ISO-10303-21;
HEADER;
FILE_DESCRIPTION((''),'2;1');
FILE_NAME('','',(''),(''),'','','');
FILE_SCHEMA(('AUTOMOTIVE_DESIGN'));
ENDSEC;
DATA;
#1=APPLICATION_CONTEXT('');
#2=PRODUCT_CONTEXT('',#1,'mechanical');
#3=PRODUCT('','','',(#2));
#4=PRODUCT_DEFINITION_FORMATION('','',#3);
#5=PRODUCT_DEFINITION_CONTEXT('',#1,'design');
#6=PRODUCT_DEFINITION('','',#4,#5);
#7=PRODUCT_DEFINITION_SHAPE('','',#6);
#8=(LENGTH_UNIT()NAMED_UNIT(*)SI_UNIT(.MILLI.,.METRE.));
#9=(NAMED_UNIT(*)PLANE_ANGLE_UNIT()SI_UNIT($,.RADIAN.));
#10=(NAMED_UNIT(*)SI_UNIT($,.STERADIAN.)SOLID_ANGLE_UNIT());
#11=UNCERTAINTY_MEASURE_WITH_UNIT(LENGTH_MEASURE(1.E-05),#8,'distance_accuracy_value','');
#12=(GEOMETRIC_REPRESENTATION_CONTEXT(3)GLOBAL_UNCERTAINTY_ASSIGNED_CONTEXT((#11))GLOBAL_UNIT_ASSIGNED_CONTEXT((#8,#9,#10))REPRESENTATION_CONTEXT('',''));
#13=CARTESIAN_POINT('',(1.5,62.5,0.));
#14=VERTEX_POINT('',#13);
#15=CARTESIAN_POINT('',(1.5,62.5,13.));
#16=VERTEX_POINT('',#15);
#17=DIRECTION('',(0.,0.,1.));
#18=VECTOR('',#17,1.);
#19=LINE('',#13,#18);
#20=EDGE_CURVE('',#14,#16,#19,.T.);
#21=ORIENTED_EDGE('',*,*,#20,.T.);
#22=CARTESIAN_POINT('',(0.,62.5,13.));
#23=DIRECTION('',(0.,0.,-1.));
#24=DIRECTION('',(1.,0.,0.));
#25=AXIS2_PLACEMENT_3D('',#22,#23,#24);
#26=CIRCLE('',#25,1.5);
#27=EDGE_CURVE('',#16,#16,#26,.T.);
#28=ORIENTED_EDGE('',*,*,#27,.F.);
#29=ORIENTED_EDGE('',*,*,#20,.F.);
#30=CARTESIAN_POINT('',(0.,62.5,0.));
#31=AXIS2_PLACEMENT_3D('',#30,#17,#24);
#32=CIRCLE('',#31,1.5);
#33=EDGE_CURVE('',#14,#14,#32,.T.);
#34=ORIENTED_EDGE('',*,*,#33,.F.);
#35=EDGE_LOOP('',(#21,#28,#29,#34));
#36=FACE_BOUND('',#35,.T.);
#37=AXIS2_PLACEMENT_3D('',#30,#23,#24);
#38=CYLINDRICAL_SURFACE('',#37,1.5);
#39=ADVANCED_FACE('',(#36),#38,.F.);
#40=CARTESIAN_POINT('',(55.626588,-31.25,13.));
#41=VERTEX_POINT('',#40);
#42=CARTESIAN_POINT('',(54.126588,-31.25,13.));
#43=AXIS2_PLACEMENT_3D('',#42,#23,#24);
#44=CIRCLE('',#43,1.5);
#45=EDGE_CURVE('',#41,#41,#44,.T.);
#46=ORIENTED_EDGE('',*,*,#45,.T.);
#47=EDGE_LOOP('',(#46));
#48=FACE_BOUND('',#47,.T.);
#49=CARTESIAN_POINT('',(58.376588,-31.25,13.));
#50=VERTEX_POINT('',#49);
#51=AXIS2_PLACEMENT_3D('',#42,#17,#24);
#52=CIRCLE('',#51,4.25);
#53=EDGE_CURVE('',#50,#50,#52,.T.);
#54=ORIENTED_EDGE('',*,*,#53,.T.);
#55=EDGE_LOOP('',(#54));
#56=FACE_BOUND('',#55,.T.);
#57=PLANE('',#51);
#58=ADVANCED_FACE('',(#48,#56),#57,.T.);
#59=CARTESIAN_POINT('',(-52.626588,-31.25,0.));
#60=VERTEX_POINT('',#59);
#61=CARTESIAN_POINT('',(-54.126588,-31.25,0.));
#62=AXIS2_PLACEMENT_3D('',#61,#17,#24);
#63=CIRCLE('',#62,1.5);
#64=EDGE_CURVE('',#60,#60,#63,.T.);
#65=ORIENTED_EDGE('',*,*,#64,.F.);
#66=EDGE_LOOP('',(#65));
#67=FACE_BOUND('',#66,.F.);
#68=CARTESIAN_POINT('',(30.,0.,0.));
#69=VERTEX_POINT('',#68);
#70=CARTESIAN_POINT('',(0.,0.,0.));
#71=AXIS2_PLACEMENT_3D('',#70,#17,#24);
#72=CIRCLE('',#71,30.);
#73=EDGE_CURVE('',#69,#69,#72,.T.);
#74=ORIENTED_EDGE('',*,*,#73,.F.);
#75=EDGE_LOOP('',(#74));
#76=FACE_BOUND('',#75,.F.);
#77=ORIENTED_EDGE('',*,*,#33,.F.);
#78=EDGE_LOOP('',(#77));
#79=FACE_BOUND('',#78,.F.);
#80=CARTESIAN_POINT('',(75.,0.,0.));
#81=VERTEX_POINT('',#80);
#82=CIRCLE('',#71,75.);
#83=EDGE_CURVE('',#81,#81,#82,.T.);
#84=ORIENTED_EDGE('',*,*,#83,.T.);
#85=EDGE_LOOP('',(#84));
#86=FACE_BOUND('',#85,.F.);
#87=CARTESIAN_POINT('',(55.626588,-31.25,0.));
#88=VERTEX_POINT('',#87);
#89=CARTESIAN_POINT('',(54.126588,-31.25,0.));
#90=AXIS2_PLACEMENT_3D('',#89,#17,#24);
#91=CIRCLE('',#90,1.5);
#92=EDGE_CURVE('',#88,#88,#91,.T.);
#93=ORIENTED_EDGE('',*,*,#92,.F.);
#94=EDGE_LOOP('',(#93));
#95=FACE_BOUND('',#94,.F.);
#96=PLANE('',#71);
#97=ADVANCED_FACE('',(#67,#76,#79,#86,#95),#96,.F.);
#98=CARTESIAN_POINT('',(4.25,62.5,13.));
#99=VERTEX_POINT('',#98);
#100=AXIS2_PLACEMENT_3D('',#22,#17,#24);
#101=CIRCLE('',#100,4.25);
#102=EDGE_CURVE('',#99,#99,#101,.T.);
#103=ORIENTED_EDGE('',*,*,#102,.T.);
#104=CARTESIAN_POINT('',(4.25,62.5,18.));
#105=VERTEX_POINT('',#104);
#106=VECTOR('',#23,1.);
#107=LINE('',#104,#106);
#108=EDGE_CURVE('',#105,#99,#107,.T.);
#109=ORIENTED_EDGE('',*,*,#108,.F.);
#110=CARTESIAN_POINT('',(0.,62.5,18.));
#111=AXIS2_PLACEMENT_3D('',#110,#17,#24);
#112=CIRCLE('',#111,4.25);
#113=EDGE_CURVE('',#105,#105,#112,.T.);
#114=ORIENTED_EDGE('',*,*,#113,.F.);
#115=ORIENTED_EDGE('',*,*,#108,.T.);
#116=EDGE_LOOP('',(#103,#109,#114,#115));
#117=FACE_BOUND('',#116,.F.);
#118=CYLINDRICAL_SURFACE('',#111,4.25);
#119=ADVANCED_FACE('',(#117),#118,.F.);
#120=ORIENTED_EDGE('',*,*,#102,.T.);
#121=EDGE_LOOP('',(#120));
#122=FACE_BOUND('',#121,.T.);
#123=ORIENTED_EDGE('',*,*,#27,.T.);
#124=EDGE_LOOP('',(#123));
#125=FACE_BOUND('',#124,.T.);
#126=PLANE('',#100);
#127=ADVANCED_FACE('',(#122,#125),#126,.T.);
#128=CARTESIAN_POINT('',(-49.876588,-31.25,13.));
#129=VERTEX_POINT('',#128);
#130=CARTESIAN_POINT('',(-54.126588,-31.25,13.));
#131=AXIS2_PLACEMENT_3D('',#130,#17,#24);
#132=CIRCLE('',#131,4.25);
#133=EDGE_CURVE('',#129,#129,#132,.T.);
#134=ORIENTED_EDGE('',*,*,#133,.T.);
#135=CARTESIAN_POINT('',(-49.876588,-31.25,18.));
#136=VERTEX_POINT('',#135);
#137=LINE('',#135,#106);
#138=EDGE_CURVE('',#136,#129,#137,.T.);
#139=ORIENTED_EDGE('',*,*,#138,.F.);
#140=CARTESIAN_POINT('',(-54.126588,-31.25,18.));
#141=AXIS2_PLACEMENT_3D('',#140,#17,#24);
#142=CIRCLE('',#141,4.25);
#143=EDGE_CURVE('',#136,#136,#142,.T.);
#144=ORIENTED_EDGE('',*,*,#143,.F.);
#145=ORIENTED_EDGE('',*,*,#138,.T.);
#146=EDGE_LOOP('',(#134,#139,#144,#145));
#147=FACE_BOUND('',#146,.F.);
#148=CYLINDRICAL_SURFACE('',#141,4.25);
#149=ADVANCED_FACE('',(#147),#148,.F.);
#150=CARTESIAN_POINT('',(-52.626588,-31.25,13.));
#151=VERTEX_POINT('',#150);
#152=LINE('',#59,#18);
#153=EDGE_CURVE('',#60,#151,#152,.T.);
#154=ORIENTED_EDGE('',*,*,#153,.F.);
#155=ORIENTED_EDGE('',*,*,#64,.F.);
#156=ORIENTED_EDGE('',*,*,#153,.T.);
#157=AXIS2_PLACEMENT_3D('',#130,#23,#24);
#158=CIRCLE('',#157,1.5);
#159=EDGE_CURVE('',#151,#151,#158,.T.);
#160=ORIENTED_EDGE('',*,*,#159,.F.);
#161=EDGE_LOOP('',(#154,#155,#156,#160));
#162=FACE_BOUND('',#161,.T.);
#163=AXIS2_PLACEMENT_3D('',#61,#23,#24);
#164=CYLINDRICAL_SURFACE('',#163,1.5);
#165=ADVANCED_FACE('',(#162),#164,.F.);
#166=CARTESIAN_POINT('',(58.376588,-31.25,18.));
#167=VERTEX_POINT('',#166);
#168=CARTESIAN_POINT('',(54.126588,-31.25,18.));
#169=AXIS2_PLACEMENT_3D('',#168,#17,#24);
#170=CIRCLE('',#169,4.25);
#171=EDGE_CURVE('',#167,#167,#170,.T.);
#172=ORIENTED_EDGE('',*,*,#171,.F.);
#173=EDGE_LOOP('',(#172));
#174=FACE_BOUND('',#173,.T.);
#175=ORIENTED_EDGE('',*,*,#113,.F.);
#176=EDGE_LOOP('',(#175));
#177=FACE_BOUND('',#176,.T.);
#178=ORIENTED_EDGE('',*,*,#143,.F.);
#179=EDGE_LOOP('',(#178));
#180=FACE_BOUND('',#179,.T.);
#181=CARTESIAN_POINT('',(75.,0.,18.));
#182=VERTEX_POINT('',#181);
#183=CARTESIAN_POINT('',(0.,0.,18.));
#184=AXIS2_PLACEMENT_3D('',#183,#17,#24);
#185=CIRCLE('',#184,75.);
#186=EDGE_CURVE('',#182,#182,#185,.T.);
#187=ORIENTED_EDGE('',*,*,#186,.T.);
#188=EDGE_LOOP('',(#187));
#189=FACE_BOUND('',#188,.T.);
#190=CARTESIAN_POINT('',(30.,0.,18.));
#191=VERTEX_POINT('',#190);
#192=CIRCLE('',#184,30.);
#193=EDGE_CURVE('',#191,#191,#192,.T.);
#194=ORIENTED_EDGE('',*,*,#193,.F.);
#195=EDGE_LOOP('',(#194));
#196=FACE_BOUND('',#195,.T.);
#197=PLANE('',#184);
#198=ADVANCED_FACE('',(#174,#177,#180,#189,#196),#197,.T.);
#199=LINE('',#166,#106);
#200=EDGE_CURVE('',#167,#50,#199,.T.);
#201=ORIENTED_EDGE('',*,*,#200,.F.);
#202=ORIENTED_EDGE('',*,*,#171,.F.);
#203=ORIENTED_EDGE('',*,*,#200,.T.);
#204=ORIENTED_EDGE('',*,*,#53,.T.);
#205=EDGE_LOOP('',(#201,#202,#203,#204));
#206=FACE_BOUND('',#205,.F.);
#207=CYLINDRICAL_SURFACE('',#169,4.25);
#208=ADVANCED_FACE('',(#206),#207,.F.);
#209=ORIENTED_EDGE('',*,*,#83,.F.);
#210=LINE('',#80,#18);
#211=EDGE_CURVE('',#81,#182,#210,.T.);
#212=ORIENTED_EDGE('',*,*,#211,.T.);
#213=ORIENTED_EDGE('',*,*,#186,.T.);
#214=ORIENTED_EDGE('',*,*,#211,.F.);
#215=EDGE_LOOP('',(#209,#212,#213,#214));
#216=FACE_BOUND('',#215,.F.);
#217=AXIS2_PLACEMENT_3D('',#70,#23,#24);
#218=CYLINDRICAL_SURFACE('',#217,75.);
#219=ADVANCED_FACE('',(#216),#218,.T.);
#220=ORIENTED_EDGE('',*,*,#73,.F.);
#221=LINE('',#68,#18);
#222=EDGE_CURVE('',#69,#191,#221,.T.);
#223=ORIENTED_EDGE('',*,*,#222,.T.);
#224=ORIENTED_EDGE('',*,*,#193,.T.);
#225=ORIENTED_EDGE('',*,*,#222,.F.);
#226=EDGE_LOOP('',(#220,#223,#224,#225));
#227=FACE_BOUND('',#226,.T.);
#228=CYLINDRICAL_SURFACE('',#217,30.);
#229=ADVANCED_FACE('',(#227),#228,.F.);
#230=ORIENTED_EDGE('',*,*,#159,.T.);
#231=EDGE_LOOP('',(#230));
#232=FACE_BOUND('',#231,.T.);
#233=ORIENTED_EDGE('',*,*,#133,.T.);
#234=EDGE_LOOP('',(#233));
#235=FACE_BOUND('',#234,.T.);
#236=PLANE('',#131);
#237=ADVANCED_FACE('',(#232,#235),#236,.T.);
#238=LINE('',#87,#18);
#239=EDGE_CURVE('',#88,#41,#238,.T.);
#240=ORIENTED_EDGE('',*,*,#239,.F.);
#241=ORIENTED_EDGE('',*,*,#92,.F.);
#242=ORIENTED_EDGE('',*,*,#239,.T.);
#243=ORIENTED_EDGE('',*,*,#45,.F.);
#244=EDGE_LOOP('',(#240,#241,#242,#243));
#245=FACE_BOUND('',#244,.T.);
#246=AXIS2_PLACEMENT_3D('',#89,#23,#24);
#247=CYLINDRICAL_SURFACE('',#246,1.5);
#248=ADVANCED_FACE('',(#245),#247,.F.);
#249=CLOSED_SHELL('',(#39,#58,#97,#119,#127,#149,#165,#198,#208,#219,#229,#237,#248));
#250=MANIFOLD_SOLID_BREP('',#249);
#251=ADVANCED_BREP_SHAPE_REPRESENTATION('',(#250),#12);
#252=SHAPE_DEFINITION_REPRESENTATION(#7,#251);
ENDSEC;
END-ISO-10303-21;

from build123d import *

# Parameters (mm, degrees)
F0_R     = 75
F0_R_2   = 1.5
F0_R_3   = 30
F1_DEPTH = 18
F2_R     = 4.25
F3_DEPTH = 5


with BuildPart() as f1:
    # F0 (on Top) → F1 (new body)
    with BuildSketch(Plane.XY):
        Circle(F0_R)
        with Locations((-54.126588, -31.25)):
            Circle(F0_R_2, mode=Mode.SUBTRACT)
        with Locations((54.126588, -31.25)):
            Circle(F0_R_2, mode=Mode.SUBTRACT)
        Circle(F0_R_3, mode=Mode.SUBTRACT)
        with Locations((0, 62.5)):
            Circle(F0_R_2, mode=Mode.SUBTRACT)
    extrude(amount=F1_DEPTH)

    # F2 (on face) → F3 (cut)
    with BuildSketch(Plane.XY.offset(18)):
        with Locations((-54.126588, -31.25)):
            Circle(F2_R)
        with Locations((54.126588, -31.25)):
            Circle(F2_R)
        with Locations((0, 62.5)):
            Circle(F2_R)
    extrude(amount=-F3_DEPTH, mode=Mode.SUBTRACT)


solid = f1.part
